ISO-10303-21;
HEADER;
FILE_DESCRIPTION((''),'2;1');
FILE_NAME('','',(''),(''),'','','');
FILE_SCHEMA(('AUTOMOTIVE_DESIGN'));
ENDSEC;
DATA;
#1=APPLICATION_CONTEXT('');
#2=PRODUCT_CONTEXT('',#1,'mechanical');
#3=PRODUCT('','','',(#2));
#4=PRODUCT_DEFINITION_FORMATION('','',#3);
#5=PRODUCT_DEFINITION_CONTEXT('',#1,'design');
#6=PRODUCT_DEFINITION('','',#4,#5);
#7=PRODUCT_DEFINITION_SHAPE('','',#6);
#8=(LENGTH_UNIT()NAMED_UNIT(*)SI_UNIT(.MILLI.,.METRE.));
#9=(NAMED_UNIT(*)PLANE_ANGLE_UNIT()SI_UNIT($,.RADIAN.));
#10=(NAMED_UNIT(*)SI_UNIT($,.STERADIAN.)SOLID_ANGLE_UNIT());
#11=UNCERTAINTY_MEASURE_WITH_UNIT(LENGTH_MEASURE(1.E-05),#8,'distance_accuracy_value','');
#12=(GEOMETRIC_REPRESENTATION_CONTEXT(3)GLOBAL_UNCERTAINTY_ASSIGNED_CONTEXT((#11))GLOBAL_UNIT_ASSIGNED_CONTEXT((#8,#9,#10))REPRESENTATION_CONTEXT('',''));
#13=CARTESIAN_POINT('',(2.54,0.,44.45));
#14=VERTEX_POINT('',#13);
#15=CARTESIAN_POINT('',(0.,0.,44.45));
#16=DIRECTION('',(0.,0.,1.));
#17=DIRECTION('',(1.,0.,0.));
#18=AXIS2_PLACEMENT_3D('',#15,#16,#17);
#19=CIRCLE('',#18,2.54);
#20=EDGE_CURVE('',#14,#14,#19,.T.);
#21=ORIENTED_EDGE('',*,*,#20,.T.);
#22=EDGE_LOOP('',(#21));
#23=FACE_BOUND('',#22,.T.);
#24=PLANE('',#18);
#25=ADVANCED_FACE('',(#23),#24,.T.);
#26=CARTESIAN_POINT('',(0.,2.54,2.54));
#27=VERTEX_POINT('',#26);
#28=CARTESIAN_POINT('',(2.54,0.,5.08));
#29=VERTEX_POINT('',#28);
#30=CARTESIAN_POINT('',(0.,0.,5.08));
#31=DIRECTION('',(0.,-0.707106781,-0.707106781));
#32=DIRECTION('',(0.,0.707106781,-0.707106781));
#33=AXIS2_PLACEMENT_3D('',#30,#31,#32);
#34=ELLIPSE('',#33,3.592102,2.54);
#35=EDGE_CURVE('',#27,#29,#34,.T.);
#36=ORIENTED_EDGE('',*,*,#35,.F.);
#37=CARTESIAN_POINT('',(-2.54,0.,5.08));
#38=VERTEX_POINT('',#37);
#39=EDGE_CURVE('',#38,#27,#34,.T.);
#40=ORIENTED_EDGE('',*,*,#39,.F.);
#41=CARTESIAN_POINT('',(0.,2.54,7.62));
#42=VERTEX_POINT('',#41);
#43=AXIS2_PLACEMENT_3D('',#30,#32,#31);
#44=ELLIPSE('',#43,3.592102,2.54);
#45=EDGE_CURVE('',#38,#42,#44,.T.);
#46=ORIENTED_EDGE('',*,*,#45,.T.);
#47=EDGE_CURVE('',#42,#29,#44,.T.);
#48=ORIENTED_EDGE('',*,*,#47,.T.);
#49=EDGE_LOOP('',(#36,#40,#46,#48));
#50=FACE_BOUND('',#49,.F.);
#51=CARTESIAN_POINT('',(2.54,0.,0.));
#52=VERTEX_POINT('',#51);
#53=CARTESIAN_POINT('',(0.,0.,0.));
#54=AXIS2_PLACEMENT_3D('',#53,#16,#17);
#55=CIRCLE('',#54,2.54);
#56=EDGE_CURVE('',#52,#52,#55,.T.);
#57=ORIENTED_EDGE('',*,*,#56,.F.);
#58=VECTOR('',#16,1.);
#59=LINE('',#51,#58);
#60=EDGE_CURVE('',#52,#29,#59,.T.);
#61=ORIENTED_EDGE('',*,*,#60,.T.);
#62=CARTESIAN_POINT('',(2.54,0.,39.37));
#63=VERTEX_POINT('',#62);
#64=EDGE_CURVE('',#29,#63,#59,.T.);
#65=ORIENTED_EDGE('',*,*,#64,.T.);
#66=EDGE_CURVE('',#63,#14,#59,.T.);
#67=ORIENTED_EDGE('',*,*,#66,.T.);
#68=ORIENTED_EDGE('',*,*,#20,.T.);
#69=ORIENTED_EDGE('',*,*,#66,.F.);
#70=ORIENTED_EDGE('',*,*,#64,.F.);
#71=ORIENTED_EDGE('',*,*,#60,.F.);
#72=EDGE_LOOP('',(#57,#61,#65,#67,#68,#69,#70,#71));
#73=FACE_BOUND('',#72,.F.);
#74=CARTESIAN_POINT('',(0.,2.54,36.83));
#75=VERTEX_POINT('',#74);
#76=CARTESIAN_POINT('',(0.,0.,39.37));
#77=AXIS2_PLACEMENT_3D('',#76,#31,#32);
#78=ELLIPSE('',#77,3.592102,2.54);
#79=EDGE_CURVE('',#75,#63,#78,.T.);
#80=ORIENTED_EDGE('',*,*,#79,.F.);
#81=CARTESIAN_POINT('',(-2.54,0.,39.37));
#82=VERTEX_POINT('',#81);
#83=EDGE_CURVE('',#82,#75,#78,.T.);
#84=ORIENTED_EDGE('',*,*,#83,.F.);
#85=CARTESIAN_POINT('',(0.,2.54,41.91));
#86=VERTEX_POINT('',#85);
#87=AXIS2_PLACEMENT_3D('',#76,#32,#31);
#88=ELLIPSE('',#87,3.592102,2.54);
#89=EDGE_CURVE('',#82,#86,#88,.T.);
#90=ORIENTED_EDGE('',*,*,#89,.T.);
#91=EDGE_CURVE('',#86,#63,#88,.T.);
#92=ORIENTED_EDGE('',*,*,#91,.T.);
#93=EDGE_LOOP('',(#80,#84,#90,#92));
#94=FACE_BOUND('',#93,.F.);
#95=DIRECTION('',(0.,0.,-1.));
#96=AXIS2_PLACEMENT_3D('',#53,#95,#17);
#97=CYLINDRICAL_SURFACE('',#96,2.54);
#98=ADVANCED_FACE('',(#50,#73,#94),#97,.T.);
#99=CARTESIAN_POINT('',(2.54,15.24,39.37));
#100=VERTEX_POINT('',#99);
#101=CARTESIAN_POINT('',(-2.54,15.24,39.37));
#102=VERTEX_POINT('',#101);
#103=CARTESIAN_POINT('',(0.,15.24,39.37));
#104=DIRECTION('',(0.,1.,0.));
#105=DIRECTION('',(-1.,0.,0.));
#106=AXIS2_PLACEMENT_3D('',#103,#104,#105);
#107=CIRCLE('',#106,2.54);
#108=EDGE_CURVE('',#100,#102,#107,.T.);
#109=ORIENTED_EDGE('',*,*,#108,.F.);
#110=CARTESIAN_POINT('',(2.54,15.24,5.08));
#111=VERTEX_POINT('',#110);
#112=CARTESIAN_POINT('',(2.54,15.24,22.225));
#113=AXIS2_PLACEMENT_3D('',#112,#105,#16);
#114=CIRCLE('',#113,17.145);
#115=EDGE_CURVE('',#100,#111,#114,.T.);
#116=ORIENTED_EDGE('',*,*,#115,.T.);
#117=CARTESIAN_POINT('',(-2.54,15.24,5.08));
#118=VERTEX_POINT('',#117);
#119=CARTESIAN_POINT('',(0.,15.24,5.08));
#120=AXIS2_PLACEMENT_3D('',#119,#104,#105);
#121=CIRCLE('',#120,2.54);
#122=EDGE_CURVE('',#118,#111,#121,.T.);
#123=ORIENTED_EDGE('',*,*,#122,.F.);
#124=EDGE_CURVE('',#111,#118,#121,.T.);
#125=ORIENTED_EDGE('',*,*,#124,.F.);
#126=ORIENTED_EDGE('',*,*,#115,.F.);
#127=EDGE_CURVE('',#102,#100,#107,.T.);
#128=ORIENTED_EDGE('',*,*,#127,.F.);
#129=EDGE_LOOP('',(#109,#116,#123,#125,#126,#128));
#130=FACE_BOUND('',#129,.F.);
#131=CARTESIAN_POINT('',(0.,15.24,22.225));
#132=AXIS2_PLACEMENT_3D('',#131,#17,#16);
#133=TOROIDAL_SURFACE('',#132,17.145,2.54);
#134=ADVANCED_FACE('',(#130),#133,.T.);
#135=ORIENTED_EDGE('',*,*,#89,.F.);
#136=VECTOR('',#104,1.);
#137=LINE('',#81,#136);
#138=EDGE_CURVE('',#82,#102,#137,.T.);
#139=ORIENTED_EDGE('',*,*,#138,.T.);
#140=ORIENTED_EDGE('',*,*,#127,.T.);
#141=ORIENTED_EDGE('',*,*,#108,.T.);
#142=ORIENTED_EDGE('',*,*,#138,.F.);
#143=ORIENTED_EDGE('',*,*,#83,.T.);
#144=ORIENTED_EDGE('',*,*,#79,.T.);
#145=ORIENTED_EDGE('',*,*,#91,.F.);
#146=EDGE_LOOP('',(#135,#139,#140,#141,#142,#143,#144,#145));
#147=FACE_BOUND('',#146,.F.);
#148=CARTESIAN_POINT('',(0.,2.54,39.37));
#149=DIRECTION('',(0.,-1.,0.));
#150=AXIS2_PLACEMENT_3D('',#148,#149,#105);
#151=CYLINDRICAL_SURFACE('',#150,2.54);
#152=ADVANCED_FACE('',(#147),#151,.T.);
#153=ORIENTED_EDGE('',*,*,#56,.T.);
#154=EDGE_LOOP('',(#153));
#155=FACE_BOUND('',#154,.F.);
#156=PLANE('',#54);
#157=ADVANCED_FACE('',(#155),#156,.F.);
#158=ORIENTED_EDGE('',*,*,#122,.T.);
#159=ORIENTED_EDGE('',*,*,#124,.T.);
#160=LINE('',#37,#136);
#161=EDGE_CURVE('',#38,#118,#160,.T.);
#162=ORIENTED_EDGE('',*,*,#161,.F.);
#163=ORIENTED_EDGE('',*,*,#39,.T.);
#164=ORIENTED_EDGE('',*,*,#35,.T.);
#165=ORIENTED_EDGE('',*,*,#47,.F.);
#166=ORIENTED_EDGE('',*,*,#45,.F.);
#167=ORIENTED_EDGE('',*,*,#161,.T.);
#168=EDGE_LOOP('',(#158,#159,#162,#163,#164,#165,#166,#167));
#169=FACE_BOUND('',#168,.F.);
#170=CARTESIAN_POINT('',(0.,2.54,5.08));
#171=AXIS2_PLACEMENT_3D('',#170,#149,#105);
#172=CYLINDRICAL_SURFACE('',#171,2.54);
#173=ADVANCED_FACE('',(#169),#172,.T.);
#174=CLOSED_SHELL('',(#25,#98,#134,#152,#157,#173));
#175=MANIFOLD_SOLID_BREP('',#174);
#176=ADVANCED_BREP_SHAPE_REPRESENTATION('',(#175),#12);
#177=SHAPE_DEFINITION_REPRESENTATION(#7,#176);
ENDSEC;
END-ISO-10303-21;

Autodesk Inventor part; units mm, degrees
ref_plane "YZ Plane" through (0, 0, 0) normal (1, 0, 0) x (0, 1, 0)
ref_plane "XZ Plane" through (0, 0, 0) normal (0, 1, 0) x (-1, 0, 0)
sketch "Sketch1" plane through (0, 0, 0) normal (0, 0, 1) x (1, 0, 0)
  circle A0 centre (0, 0) radius 2.54
  dimension "d0" = 5.08
extrude "Extrusion1" add sketch "Sketch1" along normal blind 44.45
sketch "Sketch2" plane through (0, 0, 44.45) normal (0, 0, 1) x (1, 0, 0)
  circle A0 centre (0, 0) radius 2.54 projected
  point P0 (0, 2.54)
ref_plane "Work Plane1" through (0, 2.54, 44.45) normal (0, 1, 0) x (-1, 0, 0)
sketch "Sketch3" plane through (0, 2.54, 44.45) normal (0, 1, 0) x (-1, 0, 0)
  circle A0 centre (0, -39.37) radius 2.54
  circle A1 centre (0, -5.08) radius 2.54
  line L0 (2.54, 0) -> (-2.54, 0) projected
  point P0 (0, -44.45)
  dimension "d4" = 5.08
  dimension "d6" = 5.08
  dimension "d7" = 5.08
  dimension "d8" = 5.08
extrude "Extrusion2" add sketch "Sketch3" along normal blind 12.7 and the other way blind 2.54
sketch "Sketch4" plane through (0, 15.24, 39.37) normal (0, 1, 0) x (1, 0, 0)
  circle A0 centre (0, 0) radius 2.54 projected
  line L0 (0, 0) -> (0, 34.29) construction
  line L1 (0, 17.145) -> (4.1545, 17.145) construction
  point P0 (0, 39.37)
  dimension "d14" = 34.29
revolve "Revolution1" add sketch "Sketch4" angle 180 about axis through (0, 15.24, 22.225) along (-1, 0, 0)
properties part number "0D" material "Stainless Steel"
